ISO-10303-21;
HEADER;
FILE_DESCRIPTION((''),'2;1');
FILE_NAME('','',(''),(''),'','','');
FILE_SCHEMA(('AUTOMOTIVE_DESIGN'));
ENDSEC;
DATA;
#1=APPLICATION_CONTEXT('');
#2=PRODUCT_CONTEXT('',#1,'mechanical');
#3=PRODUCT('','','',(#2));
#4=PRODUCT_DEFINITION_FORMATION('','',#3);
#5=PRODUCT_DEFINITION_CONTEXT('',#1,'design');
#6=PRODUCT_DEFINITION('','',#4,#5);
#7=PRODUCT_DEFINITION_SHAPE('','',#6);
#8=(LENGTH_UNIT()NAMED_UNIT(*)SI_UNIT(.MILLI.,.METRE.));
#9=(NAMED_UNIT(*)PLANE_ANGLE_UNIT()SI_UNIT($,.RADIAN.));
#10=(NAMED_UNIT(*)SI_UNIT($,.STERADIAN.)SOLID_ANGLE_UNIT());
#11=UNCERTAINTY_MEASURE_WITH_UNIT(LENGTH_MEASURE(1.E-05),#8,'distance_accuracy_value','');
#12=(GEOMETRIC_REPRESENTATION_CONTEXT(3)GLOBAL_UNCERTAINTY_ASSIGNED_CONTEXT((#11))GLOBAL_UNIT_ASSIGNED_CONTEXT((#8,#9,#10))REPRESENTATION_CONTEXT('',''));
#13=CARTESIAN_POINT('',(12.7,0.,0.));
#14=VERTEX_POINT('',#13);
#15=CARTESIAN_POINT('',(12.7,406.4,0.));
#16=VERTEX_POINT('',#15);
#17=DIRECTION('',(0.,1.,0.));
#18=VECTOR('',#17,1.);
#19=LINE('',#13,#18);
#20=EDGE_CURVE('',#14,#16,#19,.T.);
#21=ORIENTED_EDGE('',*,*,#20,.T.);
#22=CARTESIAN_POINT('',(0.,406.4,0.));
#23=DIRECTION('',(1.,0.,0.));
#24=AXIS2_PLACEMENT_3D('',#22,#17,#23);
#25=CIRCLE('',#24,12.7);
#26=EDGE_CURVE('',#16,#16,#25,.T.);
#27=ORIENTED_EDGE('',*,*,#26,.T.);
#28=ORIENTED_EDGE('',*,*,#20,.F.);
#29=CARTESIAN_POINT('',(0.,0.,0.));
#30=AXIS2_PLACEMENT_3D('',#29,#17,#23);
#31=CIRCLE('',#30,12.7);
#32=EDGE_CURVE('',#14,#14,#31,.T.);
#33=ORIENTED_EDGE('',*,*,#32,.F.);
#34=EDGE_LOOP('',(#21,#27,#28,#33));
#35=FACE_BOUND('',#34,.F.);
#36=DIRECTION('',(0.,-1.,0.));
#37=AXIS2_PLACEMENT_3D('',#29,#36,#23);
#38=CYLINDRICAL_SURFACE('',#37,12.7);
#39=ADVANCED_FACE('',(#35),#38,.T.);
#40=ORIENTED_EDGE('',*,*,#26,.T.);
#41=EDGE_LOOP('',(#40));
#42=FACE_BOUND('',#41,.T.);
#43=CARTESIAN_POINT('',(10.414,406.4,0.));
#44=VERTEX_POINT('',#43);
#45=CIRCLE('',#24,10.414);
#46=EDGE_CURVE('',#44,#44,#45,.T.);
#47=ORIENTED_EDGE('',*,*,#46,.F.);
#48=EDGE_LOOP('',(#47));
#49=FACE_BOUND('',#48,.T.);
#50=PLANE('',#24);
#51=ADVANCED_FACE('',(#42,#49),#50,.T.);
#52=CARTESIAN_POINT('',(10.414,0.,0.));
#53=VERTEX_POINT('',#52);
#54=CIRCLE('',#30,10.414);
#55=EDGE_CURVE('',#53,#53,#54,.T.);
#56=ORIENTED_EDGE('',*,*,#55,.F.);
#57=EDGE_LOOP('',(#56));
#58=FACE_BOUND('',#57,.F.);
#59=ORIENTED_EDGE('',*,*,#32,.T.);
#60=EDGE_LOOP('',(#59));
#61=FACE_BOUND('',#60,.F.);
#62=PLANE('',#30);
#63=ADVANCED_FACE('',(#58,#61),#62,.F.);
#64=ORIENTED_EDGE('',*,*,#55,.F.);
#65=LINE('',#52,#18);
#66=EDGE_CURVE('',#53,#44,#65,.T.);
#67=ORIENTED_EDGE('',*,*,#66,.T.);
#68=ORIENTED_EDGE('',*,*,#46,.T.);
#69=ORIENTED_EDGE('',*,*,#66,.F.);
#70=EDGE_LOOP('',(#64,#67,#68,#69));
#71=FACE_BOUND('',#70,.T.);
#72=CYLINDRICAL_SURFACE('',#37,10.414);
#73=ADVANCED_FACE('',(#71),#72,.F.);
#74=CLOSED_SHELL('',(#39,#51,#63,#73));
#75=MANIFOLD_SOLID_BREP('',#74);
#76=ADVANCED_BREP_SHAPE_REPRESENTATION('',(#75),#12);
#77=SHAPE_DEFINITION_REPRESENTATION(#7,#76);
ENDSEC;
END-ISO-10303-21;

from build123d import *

# Parameters (mm, degrees)
SKETCH1_R           = 12.7
SKETCH1_R_2         = 10.414
BOSS_EXTRUDE1_DEPTH = 406.4


with BuildPart() as part:
    # Sketch1 → Boss-Extrude1 (new body)
    with BuildSketch(Plane(origin=(0, 0, 0), x_dir=(1, 0, 0), z_dir=(0, 1, 0))):
        Circle(SKETCH1_R)
        Circle(SKETCH1_R_2, mode=Mode.SUBTRACT)
    extrude(amount=BOSS_EXTRUDE1_DEPTH)


solid = part.part
